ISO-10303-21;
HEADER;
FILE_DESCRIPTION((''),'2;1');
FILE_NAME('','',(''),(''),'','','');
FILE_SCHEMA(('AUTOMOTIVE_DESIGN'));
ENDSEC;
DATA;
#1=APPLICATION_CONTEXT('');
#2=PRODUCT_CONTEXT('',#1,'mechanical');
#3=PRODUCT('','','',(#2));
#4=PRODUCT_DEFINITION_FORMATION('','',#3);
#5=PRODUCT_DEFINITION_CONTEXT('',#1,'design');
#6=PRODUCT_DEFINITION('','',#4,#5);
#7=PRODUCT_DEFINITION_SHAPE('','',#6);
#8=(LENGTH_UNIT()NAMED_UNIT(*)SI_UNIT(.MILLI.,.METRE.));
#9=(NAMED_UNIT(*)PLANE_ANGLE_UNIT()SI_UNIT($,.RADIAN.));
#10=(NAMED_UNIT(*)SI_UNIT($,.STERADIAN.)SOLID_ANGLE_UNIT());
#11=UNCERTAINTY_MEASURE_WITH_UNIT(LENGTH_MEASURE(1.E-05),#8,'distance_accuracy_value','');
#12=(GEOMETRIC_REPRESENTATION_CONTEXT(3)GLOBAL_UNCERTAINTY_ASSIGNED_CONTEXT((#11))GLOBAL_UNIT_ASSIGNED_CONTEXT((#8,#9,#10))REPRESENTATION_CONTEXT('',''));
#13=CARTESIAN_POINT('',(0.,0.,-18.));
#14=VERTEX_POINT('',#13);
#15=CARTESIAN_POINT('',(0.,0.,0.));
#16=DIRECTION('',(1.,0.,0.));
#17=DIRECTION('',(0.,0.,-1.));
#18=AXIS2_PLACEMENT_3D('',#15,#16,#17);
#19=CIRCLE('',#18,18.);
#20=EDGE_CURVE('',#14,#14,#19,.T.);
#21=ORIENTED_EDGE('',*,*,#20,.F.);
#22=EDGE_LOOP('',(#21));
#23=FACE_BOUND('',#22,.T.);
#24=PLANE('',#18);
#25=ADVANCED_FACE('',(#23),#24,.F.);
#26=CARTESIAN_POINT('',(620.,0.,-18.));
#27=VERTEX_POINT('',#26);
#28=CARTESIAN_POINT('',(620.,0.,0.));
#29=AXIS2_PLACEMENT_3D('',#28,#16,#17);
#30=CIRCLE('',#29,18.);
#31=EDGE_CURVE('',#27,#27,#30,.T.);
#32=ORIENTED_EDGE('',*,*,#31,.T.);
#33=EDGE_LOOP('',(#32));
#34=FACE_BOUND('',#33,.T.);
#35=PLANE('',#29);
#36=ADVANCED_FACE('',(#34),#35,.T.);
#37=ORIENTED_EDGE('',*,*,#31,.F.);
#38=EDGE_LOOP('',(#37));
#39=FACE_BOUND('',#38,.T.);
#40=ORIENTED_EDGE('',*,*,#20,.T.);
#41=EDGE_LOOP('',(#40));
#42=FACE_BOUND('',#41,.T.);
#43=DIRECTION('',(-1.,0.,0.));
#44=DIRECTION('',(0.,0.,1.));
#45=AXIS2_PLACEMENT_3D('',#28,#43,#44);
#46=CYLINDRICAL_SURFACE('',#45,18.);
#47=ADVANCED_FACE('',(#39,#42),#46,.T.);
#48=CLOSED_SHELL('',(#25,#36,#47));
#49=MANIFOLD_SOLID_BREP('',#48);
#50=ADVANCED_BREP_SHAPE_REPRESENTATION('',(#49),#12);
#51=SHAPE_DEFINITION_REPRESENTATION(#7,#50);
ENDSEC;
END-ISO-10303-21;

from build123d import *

# Parameters (mm, degrees)
ESQUISSE5_R        = 18
BOSS_EXTRU_3_DEPTH = 620


with BuildPart() as part:
    # Esquisse5 → Boss.-Extru.3 (new body)
    with BuildSketch(Plane(origin=(0, 0, 0), x_dir=(0, 0, -1), z_dir=(1, 0, 0))):
        Circle(ESQUISSE5_R)
    extrude(amount=BOSS_EXTRU_3_DEPTH)


solid = part.part
